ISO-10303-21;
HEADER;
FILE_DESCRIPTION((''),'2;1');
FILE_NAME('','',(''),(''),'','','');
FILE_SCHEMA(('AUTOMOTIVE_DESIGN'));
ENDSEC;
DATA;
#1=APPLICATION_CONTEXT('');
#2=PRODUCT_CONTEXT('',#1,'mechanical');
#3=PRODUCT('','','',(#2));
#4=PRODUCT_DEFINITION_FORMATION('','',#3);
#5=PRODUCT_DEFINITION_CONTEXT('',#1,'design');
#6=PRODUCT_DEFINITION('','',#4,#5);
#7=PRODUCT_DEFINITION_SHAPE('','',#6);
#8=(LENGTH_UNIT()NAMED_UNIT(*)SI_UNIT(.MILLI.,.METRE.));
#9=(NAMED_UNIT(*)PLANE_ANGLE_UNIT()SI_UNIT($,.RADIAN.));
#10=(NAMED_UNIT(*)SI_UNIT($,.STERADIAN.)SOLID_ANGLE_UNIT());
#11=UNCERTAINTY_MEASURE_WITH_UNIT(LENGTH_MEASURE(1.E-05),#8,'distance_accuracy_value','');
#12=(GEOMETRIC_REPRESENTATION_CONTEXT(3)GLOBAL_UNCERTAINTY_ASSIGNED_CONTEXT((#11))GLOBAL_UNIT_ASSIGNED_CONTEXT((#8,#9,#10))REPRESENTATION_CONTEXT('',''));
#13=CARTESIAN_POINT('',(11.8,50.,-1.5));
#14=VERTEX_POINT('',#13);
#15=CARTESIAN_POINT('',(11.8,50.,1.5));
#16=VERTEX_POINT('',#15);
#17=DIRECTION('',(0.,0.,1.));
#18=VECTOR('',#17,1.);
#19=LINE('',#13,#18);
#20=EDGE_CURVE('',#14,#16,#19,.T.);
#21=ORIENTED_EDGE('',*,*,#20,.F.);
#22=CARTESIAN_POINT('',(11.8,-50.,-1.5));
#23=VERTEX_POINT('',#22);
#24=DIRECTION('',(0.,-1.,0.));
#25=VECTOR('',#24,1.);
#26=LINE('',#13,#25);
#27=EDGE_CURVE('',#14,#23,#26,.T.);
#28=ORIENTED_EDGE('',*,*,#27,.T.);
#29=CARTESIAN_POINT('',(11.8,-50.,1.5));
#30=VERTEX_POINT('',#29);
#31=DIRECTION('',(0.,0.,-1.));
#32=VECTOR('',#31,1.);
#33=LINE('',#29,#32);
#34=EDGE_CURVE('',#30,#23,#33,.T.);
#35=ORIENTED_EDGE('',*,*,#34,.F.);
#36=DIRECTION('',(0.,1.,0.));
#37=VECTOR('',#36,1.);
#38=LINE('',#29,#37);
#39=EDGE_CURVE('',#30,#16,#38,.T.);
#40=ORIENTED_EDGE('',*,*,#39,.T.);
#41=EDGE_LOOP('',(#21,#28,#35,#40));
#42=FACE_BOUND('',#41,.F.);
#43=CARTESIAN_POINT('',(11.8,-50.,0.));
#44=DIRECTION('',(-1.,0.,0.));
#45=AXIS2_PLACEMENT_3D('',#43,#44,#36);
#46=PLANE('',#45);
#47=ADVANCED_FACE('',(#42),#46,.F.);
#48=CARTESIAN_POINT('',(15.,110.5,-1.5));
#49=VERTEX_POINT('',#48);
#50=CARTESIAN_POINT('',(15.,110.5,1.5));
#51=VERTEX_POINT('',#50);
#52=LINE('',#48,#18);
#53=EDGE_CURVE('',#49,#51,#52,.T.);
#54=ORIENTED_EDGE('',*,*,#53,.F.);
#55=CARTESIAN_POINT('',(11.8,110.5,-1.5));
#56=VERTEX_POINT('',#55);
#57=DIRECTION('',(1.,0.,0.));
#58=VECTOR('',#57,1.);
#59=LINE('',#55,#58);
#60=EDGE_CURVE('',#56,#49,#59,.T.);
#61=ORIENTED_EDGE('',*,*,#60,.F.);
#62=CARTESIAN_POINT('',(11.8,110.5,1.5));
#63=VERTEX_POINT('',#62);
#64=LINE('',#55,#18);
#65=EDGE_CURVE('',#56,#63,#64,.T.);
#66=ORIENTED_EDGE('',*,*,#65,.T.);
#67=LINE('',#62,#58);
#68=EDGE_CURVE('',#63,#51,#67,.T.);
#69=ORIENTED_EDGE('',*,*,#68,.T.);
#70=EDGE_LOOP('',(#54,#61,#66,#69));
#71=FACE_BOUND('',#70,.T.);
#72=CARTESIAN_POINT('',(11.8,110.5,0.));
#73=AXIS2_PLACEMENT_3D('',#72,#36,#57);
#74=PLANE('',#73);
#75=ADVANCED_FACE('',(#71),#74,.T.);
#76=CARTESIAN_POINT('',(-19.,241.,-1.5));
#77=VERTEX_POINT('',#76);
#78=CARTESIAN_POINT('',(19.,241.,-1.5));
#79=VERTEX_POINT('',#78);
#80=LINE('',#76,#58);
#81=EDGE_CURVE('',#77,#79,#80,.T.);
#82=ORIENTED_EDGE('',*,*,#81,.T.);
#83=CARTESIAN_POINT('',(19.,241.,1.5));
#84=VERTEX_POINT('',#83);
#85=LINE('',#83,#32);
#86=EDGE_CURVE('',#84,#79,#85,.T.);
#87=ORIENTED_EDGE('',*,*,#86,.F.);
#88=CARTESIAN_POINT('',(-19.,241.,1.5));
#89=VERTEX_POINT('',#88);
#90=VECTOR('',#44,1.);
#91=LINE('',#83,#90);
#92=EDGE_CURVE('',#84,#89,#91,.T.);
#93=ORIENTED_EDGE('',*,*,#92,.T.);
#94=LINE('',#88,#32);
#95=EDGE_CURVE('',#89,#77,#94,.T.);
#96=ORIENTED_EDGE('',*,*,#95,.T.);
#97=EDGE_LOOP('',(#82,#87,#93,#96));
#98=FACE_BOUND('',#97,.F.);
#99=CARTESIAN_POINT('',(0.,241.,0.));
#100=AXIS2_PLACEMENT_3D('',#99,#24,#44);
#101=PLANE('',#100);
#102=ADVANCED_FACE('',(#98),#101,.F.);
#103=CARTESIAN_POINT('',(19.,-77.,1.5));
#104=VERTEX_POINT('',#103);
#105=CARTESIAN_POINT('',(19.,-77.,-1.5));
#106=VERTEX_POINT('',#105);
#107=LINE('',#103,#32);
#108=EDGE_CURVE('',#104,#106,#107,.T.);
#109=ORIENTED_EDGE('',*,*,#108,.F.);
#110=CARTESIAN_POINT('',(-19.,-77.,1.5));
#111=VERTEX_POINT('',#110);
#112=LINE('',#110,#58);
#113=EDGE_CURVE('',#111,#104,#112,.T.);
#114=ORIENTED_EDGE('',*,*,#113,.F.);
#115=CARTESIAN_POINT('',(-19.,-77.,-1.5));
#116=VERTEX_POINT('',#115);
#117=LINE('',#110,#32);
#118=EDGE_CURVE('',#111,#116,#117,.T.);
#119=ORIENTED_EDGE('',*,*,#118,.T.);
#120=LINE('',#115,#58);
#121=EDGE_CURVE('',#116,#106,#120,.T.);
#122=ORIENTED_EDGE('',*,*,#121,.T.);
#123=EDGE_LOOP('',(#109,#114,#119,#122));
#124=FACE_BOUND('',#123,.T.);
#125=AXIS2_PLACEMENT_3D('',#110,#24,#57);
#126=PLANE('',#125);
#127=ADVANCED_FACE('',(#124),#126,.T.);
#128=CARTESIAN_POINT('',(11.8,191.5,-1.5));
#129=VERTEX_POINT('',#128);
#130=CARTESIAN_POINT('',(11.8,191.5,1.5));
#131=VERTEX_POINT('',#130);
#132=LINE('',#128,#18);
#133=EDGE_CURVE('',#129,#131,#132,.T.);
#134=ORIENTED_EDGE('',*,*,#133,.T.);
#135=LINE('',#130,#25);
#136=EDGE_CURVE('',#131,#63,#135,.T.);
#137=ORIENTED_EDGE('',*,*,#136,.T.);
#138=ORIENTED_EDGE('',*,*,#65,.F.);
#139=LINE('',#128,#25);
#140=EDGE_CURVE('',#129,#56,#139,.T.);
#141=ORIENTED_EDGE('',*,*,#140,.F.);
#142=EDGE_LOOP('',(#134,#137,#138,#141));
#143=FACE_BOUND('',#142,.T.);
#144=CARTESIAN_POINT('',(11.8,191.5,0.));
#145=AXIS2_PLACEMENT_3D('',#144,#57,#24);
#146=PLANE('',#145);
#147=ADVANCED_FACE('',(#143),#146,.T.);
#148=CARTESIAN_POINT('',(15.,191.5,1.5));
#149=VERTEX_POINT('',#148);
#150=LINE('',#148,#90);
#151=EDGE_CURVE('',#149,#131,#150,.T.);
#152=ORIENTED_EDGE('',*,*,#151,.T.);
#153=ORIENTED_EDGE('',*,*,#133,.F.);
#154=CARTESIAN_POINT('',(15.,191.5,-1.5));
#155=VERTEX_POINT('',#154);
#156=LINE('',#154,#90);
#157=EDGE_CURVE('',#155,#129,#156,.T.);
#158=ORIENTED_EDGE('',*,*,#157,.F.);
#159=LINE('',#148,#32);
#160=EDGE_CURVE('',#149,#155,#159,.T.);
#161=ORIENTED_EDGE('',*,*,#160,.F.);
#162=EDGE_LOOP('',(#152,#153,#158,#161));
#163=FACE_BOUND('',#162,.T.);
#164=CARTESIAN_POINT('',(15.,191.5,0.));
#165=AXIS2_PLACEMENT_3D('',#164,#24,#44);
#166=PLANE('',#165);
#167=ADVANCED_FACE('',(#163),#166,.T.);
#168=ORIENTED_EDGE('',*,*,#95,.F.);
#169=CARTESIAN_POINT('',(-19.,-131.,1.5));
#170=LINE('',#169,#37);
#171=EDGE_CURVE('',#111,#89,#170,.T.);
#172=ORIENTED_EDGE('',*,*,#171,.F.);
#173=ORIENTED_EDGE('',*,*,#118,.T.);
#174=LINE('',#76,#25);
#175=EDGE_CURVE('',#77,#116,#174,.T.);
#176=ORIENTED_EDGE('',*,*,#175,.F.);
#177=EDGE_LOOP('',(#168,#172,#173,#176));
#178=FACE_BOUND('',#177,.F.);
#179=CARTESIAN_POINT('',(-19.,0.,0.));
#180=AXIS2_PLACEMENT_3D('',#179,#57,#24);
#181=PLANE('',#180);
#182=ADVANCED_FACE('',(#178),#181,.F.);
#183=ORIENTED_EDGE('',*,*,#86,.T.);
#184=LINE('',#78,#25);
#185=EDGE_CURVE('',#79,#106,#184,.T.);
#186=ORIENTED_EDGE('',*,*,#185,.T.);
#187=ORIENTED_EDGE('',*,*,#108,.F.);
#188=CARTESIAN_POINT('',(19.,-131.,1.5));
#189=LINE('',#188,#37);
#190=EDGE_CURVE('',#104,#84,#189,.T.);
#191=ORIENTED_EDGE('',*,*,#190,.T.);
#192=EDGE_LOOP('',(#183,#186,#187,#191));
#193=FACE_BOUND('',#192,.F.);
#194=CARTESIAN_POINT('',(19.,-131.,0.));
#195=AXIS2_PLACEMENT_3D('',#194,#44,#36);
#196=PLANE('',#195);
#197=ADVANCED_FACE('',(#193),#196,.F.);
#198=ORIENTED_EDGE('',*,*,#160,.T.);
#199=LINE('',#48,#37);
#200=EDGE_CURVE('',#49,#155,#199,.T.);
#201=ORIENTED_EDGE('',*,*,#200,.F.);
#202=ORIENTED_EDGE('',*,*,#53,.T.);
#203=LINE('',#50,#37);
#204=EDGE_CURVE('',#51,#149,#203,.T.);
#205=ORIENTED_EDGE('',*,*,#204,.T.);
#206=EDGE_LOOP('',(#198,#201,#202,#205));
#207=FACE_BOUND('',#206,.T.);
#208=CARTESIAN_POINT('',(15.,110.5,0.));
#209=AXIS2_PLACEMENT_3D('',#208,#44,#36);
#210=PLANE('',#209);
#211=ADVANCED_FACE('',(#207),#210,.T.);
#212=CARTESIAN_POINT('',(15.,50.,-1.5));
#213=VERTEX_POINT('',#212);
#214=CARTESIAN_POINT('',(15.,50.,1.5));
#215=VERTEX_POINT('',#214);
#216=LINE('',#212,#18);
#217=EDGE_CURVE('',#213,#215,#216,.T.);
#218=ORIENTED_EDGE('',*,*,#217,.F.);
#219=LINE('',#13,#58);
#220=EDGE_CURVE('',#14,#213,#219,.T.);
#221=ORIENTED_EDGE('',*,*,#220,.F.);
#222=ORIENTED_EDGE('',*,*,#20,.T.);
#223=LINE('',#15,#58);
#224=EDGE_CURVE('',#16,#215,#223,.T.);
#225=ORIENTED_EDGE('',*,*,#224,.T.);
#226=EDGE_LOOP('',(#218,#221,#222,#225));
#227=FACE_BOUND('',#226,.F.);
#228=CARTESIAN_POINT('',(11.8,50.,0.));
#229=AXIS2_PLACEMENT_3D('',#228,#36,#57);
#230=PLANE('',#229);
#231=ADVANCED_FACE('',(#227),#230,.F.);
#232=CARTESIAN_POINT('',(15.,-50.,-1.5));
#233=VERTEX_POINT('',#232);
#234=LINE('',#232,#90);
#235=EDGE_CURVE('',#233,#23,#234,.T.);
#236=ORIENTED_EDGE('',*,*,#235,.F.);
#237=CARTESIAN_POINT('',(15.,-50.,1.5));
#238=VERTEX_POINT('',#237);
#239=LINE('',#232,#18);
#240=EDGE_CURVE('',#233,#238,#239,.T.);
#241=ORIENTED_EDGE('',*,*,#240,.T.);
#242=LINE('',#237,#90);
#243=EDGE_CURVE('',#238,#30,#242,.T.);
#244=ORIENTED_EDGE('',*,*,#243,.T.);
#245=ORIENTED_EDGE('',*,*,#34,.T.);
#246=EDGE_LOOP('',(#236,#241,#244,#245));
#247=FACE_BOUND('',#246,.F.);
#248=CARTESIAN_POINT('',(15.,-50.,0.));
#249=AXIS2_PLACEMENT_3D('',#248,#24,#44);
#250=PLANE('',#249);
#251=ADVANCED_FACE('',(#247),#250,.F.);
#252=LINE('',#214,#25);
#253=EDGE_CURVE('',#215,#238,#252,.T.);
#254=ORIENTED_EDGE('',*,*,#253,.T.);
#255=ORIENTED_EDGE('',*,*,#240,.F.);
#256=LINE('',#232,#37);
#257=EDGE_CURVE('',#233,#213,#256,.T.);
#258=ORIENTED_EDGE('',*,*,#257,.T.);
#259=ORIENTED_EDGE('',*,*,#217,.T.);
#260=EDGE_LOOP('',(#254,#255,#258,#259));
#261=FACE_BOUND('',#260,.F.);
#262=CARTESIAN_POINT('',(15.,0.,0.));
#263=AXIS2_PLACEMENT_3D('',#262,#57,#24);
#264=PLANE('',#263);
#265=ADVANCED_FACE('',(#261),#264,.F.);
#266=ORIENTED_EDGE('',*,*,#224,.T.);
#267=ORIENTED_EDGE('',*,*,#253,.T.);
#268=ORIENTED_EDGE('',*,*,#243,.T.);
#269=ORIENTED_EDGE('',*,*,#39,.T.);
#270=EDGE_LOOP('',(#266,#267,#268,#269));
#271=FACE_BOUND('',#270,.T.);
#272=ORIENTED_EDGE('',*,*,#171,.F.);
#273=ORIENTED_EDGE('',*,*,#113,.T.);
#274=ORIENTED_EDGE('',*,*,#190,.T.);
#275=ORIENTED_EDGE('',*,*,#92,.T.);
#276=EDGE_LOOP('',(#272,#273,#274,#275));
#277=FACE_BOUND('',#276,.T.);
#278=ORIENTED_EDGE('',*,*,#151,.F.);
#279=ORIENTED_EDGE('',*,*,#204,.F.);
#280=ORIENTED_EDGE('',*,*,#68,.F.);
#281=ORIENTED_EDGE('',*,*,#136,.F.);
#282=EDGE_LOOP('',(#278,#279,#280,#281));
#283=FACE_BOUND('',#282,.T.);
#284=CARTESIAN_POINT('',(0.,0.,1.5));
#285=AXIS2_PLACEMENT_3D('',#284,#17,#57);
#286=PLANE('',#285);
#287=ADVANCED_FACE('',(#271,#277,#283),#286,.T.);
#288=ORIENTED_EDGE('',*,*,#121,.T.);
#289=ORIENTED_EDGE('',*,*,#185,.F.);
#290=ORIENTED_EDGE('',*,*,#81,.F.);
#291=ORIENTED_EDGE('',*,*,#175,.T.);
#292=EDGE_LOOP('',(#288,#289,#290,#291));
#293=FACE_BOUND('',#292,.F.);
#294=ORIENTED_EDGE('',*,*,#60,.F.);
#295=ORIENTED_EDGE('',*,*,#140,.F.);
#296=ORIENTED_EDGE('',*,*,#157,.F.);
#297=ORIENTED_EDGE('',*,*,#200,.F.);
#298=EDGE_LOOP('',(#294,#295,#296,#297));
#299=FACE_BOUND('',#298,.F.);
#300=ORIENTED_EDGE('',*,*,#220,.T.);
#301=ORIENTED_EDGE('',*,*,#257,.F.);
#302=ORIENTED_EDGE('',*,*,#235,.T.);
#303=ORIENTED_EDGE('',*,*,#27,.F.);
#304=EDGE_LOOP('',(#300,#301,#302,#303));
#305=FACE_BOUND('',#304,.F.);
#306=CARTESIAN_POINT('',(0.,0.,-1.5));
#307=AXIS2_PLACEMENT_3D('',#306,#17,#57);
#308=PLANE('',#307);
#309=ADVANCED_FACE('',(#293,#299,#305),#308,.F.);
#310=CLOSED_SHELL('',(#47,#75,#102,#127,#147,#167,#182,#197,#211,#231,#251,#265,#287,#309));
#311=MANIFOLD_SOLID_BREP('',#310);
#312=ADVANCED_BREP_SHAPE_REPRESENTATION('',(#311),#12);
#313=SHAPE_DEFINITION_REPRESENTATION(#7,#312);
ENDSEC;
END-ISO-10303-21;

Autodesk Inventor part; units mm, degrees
ref_plane "YZ Plane" through (0, 0, 0) normal (1, 0, 0) x (0, 1, 0)
ref_plane "XZ Plane" through (0, 0, 0) normal (0, 1, 0) x (-1, 0, 0)
ref_plane "XY Plane" through (0, 0, 0) normal (0, 0, 1) x (1, 0, 0)
sketch "Sketch1" plane through (0, 0, 0) normal (0, 0, 1) x (1, 0, 0)
  line L0 (-19, -241) -> (19, -241)
  line L1 (19, -241) -> (19, 241)
  line L2 (19, 241) -> (-19, 241)
  line L3 (-19, 241) -> (-19, -241)
  line L4 (-19, -241) -> (19, 241) construction
  line L5 (19, -241) -> (-19, 241) construction
  line L6 (15, 191.5) -> (11.8, 191.5)
  line L7 (11.8, 191.5) -> (11.8, 110.5)
  line L8 (11.8, 110.5) -> (15, 110.5)
  line L9 (15, 110.5) -> (15, 191.5)
  line L10 (-19, 0) -> (19, 0)
  line L11 (0, 241) -> (0, -241)
  line L12 (11.8, 50) -> (15, 50)
  line L13 (15, 50) -> (15, -50)
  line L14 (15, -50) -> (11.8, -50)
  line L15 (11.8, -50) -> (11.8, 50)
  line L16 (-19, -131) -> (19, -131)
  point P0 (0, 0)
  point P1 (11.8, 0)
  point P2 (0, 0)
  dimension "d0" = 38
  dimension "d1" = 482
  dimension "d2" = 81
  dimension "d3" = 49.5
  dimension "d4" = 4
  dimension "d5" = 3.2
  dimension "d6" = 3.2
  dimension "d7" = 100
  dimension "d8" = 4
  dimension "d10" = 110
extrude "Plate1" add sketch "Sketch1" along normal mid plane 3 contours L3 L10 L11 L16 | L11 L10 L15 L14 L13 L1 L16 | L3 L2 L11 L10 | L11 L2 L1 L10 L13 L12 L15
sketch "Sketch3" plane through (0, 0, 1.5) normal (0, 0, 1) x (1, 0, 0)
  line L0 (-19, 241) -> (-19, -131) projected
  line L1 (-19, -77) -> (19, -77)
  line L2 (19, 241) -> (19, -131) projected
  line L3 (-19, 241) -> (19, 241) projected
  line L4 (-19, -77) -> (19, -77)
  line L5 (19, -77) -> (19, -131)
  line L6 (19, -131) -> (-19, -131)
  line L7 (-19, -131) -> (-19, -77)
  point P0 (0, 0)
  dimension "d17" = 318
extrude "Cut2" cut sketch "Sketch3" against normal blind 3 contours L1 L2 L6 L0
equation "\"d18\" = Thickness"
equation "\"d9\" = Thickness"
equation "\"BendRadius\" = Thickness"
equation "\"BendReliefWidth\" = Thickness"
equation "\"BendReliefDepth\" = 0.5 * Thickness"
equation "\"CornerReliefSize\" = 4 * Thickness"
equation "\"MinimumRemnant\" = 2 * Thickness"
equation "\"TransitionRadius\" = BendRadius"
equation "\"JacobiRadiusSize\" = BendRadius"
equation "\"GapSize\" = Thickness"
equation "\"Thickness\" = 3"
properties part number "Extension .3"
